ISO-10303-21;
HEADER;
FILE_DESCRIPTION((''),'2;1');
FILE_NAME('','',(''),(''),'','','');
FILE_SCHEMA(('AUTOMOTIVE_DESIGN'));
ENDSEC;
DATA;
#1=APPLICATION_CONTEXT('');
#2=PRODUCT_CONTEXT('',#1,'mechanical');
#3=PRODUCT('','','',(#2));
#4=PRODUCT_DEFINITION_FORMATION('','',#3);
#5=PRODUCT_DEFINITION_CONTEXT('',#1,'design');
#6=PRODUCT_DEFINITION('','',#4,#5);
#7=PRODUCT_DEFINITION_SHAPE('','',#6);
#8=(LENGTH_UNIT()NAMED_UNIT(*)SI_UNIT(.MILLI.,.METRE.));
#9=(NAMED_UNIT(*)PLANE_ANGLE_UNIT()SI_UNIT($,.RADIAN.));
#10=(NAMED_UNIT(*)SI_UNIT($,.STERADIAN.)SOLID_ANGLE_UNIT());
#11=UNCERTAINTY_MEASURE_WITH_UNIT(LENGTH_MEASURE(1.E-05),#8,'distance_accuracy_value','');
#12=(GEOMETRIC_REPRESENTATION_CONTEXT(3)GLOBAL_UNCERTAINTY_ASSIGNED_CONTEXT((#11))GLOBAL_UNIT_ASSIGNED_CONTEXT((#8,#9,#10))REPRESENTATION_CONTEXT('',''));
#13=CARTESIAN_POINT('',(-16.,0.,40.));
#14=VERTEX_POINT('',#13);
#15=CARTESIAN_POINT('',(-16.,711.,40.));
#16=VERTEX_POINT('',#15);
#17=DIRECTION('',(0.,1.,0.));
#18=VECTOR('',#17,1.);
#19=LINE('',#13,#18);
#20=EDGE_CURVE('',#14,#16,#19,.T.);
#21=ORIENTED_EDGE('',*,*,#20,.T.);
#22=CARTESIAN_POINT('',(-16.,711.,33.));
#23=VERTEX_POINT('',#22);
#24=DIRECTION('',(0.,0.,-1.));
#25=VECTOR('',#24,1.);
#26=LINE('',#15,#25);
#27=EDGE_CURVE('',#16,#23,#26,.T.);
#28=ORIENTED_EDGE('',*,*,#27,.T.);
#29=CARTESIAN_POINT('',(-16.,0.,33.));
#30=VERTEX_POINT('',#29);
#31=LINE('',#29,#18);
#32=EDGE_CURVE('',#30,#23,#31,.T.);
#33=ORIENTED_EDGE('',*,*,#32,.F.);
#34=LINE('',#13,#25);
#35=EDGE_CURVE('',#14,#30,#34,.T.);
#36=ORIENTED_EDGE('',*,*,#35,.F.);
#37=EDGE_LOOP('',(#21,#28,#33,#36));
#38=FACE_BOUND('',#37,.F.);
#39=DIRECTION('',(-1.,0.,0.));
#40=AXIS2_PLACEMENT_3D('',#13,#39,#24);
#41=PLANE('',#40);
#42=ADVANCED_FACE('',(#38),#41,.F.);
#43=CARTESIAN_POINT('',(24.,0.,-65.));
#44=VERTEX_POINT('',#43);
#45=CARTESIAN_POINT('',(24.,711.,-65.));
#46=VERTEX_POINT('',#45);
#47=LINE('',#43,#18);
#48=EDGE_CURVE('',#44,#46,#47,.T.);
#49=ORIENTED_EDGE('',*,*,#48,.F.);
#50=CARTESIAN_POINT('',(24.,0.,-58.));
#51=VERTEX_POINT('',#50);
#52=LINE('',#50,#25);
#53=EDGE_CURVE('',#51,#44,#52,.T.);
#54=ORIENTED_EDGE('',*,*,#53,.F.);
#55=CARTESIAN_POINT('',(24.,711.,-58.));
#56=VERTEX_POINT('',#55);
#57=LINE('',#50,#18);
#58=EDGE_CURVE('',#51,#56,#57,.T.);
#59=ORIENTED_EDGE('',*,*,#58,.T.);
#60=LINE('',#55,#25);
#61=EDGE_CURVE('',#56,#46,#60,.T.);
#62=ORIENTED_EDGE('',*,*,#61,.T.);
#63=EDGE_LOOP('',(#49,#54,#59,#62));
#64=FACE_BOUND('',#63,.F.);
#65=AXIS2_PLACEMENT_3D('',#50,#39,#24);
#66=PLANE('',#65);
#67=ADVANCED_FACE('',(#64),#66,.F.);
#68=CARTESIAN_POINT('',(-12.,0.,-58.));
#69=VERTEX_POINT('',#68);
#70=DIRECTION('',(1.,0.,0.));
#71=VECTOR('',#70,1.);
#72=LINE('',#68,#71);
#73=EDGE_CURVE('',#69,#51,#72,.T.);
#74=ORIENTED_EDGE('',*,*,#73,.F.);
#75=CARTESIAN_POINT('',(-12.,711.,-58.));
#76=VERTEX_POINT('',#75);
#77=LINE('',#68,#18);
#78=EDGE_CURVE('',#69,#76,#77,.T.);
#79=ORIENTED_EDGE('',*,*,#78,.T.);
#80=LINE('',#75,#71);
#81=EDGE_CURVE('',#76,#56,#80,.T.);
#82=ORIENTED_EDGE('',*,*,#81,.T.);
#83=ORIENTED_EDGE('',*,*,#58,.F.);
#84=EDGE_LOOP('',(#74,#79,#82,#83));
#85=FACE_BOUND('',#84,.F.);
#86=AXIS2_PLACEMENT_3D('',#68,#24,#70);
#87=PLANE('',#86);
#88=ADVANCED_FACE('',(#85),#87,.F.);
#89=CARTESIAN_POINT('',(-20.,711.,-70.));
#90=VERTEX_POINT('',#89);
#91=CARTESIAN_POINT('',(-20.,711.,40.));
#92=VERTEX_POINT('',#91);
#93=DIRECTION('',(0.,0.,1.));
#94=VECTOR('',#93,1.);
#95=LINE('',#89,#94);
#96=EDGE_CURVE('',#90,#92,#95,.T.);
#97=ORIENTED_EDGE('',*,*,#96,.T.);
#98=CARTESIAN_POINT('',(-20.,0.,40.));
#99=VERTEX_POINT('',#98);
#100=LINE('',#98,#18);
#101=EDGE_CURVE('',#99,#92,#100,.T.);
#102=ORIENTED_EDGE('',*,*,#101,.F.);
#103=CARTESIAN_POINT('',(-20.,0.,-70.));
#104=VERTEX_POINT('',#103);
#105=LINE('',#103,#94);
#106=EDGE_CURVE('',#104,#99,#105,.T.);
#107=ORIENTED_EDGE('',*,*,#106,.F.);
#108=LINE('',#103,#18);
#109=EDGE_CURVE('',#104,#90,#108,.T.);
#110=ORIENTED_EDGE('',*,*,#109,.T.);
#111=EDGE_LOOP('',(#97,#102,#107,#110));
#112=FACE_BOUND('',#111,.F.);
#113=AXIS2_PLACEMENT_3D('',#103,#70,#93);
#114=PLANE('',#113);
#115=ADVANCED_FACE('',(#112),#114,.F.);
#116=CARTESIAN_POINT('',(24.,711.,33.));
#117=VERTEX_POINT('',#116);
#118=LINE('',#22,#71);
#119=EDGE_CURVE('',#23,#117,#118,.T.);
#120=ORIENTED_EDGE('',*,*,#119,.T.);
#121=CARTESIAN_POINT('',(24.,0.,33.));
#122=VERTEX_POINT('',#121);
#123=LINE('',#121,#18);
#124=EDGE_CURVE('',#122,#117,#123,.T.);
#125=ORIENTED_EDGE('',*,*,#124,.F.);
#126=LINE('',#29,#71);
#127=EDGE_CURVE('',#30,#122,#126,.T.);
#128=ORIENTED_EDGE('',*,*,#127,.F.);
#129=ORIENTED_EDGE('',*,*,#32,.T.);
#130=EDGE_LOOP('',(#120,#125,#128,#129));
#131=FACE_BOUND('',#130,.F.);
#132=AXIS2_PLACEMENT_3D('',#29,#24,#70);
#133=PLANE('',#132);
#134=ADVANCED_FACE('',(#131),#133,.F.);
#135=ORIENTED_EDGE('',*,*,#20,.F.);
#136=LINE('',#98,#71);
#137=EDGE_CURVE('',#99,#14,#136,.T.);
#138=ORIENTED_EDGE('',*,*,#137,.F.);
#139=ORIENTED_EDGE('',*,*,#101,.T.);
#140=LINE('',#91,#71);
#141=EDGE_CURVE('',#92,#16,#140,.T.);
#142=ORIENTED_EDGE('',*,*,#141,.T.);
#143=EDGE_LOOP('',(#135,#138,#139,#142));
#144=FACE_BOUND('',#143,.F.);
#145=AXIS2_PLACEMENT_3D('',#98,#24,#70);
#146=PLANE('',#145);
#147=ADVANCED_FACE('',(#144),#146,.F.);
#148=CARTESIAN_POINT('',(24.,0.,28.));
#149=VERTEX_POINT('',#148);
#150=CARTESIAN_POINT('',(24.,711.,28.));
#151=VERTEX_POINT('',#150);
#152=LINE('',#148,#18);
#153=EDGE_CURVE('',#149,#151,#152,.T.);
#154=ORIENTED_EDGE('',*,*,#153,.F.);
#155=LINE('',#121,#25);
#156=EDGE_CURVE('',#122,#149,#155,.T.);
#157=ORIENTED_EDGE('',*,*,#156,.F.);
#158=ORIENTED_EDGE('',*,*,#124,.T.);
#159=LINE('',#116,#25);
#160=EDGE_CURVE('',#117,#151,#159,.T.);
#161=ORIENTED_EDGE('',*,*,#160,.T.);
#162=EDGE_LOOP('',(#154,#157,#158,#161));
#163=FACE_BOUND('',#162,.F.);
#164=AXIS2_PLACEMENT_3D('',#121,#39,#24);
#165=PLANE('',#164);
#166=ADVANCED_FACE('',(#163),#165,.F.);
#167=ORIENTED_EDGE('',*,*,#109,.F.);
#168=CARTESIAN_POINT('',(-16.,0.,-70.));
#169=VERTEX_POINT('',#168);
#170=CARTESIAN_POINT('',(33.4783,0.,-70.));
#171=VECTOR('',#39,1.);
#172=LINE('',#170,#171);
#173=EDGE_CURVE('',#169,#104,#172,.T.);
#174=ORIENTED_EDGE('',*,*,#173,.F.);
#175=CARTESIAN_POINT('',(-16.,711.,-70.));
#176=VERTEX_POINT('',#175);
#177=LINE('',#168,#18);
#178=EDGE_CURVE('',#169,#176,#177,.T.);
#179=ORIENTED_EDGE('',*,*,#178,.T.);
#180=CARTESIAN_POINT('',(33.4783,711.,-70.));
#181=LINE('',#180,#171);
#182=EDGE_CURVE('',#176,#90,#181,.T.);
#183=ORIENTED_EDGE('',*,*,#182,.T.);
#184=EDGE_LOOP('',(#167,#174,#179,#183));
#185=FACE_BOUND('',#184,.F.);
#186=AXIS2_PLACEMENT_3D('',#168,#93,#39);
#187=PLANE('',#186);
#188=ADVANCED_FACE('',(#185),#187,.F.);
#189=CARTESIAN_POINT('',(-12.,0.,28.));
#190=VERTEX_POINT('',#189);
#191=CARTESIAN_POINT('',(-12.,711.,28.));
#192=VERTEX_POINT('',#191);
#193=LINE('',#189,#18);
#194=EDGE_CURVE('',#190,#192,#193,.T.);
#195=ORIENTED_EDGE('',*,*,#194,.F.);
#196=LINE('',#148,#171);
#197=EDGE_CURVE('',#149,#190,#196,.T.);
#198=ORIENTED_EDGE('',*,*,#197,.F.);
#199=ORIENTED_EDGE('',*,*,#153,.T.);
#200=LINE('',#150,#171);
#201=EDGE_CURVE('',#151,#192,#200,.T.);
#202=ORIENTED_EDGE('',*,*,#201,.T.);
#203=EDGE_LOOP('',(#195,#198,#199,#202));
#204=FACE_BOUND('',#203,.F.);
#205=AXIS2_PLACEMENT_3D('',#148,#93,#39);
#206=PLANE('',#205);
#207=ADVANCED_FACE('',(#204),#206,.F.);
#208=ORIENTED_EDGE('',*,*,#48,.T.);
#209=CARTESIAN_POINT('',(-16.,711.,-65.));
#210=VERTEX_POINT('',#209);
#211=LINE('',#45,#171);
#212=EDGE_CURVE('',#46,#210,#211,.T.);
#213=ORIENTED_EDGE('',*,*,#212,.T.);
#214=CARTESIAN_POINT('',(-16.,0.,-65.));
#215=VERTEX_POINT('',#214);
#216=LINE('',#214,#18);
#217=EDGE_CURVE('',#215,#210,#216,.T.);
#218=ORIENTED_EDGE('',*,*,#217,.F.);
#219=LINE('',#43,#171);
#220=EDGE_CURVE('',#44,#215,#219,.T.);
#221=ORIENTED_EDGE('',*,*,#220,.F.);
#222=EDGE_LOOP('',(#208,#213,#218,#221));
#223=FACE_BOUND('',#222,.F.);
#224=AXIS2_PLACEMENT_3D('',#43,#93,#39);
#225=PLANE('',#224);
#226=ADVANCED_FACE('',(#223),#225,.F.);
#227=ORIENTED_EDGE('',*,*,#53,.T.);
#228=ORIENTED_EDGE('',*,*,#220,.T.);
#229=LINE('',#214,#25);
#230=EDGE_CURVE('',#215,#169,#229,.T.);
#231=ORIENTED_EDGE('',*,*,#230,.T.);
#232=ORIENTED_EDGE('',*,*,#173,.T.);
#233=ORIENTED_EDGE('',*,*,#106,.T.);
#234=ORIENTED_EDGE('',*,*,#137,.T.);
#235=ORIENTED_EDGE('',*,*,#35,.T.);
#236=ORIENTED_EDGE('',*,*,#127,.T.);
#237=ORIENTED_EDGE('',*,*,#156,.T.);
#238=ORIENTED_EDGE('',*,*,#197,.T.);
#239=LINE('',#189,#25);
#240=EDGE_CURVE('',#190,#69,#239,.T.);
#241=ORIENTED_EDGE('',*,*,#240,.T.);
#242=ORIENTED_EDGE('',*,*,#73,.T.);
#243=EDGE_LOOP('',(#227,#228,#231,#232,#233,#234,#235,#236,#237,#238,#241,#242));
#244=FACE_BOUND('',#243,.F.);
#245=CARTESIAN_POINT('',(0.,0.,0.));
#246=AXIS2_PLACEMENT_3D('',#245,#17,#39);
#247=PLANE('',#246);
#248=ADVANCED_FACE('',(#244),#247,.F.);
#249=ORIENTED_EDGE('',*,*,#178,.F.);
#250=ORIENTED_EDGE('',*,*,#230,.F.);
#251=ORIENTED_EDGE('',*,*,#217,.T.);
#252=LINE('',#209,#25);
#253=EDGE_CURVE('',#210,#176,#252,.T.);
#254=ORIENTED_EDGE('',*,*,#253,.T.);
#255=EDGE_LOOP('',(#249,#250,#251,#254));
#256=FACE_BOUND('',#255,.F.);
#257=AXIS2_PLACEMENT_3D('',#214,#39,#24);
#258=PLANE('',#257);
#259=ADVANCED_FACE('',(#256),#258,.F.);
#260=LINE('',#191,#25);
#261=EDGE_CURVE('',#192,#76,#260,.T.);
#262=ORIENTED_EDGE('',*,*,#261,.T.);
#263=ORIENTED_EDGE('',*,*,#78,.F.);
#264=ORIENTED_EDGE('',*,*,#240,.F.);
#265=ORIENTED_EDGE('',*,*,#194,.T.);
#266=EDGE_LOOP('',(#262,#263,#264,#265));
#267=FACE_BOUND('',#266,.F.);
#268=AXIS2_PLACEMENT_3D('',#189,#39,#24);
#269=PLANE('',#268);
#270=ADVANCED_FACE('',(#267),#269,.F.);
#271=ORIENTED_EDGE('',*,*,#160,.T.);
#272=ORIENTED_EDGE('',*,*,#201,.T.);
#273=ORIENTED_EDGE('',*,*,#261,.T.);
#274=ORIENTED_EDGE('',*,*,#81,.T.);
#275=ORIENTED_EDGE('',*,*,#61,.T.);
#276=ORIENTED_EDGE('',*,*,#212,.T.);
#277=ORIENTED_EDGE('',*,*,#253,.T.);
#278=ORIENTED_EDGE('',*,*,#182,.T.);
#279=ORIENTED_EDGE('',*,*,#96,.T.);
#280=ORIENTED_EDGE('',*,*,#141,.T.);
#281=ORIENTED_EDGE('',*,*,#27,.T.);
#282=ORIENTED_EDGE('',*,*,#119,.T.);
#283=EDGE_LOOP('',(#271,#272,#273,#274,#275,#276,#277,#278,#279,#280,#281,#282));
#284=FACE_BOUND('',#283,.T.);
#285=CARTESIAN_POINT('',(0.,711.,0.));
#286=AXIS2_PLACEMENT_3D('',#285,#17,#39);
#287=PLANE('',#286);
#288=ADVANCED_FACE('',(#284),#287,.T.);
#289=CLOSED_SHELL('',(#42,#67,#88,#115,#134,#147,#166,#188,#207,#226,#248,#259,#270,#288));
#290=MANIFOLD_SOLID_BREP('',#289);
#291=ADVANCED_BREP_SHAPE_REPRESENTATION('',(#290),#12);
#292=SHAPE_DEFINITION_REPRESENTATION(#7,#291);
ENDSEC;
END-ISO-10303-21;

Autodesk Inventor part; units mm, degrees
ref_plane "YZ Plane" through (0, 0, 0) normal (1, 0, 0) x (0, 1, 0)
ref_plane "XZ Plane" through (0, 0, 0) normal (0, 1, 0) x (-1, 0, 0)
ref_plane "XY Plane" through (0, 0, 0) normal (0, 0, 1) x (1, 0, 0)
sketch "Sketch1" plane through (0, 0, 0) normal (0, 1, 0) x (-1, 0, 0)
  line L0 (20, 40) -> (-33.4783, 40)
  line L1 (-33.4783, 40) -> (-33.4783, -70)
  line L2 (-33.4783, -70) -> (20, -70)
  line L3 (20, -70) -> (20, 40)
  line L4 (16, 40) -> (16, 33)
  line L5 (16, 33) -> (-24, 33)
  line L6 (-24, 33) -> (-24, 28)
  line L7 (-24, 28) -> (12, 28)
  line L8 (12, 28) -> (12, -58)
  line L9 (12, -58) -> (-24, -58)
  line L10 (-24, -58) -> (-24, -65)
  line L11 (-24, -65) -> (16, -65)
  line L12 (16, -65) -> (16, -70)
  point P0 (0, 0)
  dimension "d0" = 110
extrude "Extrusion1" add sketch "Sketch1" along normal blind 711 contours L3 L2 L12 L11 L10 L9 L8 L7 L6 L5 L4 L0
properties part number "YKrep" material "Aluminum 6061"
